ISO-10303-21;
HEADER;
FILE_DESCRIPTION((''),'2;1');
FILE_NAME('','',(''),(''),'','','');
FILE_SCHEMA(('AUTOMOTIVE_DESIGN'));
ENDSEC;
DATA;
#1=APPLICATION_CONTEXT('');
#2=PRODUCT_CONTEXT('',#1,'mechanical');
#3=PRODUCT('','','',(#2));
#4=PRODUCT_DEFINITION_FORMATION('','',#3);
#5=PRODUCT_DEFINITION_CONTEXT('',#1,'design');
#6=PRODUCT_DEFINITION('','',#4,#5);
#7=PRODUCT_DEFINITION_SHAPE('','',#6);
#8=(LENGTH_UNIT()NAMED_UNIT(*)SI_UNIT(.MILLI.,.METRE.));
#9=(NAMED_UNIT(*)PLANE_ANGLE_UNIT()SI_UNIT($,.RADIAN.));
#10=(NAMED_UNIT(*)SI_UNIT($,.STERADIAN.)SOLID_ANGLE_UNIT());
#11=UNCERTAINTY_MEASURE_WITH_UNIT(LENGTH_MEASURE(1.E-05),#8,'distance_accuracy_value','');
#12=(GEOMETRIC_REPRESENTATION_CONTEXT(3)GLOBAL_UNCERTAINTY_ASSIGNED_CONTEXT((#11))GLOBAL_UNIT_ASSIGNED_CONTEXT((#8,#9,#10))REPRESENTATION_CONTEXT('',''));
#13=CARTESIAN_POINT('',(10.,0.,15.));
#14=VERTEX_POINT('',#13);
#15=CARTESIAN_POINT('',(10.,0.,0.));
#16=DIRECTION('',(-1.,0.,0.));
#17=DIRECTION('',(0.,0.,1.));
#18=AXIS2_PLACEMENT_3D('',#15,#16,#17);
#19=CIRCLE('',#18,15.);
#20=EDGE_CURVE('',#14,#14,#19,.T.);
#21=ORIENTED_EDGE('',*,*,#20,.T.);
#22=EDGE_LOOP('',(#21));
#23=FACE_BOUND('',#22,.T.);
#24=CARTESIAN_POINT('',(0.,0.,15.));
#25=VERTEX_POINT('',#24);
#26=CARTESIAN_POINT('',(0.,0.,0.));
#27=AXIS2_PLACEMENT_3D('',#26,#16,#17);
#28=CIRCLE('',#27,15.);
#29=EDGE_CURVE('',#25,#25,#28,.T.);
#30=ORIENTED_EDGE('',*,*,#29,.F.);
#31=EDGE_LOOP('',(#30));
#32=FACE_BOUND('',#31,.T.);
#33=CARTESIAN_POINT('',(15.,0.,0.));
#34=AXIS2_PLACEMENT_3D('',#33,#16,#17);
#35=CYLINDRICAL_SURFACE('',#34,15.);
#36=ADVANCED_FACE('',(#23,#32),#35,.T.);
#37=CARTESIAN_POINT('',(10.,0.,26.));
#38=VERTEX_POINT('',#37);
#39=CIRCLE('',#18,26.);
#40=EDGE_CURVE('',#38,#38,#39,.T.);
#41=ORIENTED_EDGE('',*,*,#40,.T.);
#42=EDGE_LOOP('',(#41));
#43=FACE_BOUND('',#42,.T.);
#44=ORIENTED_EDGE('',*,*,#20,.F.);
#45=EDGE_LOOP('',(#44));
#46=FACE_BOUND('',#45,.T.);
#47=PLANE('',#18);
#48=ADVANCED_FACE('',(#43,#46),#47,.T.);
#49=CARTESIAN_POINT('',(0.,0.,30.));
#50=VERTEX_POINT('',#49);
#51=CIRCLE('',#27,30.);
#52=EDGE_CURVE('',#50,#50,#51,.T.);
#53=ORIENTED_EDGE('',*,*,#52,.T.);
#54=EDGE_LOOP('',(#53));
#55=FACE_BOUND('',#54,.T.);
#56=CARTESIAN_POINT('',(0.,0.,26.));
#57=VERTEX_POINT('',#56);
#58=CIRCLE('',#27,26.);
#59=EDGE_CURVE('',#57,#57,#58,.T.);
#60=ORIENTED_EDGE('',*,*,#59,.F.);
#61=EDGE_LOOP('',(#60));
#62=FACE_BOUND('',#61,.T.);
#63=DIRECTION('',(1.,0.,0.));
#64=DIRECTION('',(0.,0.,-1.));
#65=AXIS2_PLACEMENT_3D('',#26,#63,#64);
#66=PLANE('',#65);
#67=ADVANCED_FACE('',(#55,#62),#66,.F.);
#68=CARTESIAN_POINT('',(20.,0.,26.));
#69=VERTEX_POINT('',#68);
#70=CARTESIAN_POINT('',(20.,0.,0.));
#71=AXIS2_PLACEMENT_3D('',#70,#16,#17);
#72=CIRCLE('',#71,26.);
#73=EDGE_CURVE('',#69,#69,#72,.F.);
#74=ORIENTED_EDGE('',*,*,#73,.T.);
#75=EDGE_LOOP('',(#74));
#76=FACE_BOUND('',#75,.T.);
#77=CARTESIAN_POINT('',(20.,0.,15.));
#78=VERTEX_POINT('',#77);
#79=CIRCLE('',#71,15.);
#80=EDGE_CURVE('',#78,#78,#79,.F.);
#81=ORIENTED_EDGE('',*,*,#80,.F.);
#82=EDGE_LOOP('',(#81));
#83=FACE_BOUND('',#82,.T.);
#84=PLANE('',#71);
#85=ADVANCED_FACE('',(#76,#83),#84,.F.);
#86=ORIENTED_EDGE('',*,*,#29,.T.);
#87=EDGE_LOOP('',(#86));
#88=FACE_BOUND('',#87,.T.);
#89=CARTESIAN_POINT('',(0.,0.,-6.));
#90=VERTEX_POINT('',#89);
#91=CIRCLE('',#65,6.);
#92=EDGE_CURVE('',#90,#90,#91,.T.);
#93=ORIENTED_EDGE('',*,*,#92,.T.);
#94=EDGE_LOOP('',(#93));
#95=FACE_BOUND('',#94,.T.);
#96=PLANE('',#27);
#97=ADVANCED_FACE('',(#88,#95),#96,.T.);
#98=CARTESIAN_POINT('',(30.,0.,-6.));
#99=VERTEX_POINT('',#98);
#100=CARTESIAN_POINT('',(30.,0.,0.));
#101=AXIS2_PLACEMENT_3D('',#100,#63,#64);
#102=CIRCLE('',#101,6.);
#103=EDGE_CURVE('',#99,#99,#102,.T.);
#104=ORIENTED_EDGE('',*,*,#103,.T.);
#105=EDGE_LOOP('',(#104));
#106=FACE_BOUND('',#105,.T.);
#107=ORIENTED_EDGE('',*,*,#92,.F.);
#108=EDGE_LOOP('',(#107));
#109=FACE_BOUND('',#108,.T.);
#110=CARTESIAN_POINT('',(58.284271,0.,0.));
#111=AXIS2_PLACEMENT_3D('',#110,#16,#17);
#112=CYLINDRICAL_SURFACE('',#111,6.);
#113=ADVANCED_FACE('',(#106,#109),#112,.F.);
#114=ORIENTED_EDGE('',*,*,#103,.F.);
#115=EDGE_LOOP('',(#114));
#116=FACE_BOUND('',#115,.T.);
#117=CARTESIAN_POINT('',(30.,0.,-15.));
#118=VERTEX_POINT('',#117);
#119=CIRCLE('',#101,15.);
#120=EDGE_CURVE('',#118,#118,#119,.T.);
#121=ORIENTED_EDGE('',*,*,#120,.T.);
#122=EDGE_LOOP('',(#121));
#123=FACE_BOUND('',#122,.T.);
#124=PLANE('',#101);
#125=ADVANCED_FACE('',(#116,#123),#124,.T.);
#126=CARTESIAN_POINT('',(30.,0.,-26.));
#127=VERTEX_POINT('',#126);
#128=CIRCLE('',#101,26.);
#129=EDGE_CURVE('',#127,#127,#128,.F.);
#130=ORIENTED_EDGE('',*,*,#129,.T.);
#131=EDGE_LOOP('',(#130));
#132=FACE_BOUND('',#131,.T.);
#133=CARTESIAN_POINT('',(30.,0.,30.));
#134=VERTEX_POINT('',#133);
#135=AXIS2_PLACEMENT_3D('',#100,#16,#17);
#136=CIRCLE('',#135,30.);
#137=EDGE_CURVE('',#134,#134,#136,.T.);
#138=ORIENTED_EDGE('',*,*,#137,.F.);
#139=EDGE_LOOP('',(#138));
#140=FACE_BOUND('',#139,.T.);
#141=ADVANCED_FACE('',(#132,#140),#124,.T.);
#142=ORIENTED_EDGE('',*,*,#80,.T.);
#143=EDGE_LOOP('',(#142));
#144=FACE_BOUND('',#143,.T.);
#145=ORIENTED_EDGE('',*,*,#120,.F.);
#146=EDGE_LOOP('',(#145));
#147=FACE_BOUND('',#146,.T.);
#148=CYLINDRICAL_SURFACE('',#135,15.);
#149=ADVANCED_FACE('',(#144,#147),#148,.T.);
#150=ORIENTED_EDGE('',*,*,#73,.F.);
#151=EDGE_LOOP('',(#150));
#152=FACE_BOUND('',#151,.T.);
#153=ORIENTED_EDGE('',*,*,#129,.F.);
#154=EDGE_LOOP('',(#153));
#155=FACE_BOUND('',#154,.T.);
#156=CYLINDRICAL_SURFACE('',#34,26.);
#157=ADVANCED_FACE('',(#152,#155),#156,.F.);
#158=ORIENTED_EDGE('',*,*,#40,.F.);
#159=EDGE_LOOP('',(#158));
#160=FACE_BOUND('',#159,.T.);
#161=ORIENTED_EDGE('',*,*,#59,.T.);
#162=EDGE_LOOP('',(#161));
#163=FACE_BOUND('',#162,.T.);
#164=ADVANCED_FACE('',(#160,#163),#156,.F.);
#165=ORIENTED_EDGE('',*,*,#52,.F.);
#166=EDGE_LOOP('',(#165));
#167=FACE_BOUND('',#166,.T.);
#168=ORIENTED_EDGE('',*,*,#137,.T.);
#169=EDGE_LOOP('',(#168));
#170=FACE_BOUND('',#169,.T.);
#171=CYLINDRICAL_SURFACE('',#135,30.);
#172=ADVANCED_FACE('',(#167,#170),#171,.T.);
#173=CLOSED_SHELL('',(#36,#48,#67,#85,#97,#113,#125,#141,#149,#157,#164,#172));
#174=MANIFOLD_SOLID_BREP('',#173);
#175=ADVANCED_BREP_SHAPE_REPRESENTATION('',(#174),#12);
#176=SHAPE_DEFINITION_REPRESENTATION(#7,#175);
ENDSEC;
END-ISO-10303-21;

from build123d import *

# Parameters (mm, degrees)
IZIM1_R                          = 15
Y_KSEKLIK_EKSTR_ZYON1_DEPTH      = 30
IZIM2_R                          = 10
KES_EKSTR_ZYON2_DEPTH            = 30
IZIM13_R                         = 30
Y_KSEKLIK_EKSTR_ZYON3_DEPTH      = 30
IZIM14_R                         = 26
KES_EKSTR_ZYON3_DEPTH            = 15
IZIM15_R                         = 15
Y_KSEKLIK_EKSTR_ZYON4_DEPTH      = 15
Y_KSEKLIK_EKSTR_ZYON4_DEPTH_BACK = 15
IZIM16_R                         = 10
KES_EKSTR_ZYON5_DEPTH            = 45
IZIM17_R                         = 26
KES_EKSTR_ZYON8_DEPTH            = 1
KES_EKSTR_ZYON8_DEPTH_BACK       = 15
IZIM19_R                         = 26
Y_KSEKLIK_EKSTR_ZYON5_DEPTH      = 5
Y_KSEKLIK_EKSTR_ZYON5_DEPTH_BACK = 5
IZIM20_R                         = 15
Y_KSEKLIK_EKSTR_ZYON6_DEPTH      = 10
IZIM21_R                         = 10
KES_EKSTR_ZYON9_DEPTH            = 55
IZIM24_R                         = 15
KES_EKSTR_ZYON10_DEPTH           = 15
IZIM26_R                         = 10
IZIM26_R_2                       = 6
Y_KSEKLIK_EKSTR_ZYON7_DEPTH      = 30


with BuildPart() as part:
    # Çizim1 → Yükseklik-Ekstrüzyon1 (new body)
    with BuildSketch(Plane(origin=(0, 0, 0), x_dir=(0, 0, -1), z_dir=(1, 0, 0))):
        Circle(IZIM1_R)
    extrude(amount=Y_KSEKLIK_EKSTR_ZYON1_DEPTH)

    # Çizim2 → Kes-Ekstrüzyon2 (cut)
    with BuildSketch(Plane.ZY):
        Circle(IZIM2_R)
    extrude(amount=-KES_EKSTR_ZYON2_DEPTH, mode=Mode.SUBTRACT)

    # Çizim13 → Yükseklik-Ekstrüzyon3 (add)
    with BuildSketch(Plane.ZY):
        Circle(IZIM13_R)
    extrude(amount=-Y_KSEKLIK_EKSTR_ZYON3_DEPTH)

    # Çizim14 → Kes-Ekstrüzyon3 (cut)
    with BuildSketch(Plane.ZY):
        Circle(IZIM14_R)
    extrude(amount=-KES_EKSTR_ZYON3_DEPTH, mode=Mode.SUBTRACT)

    # Çizim15 → Yükseklik-Ekstrüzyon4 (add, two sides)
    with BuildSketch(Plane.ZY) as y_kseklik_ekstr_zyon4_sk:
        Circle(IZIM15_R)
    extrude(amount=Y_KSEKLIK_EKSTR_ZYON4_DEPTH)
    extrude(y_kseklik_ekstr_zyon4_sk.sketch, amount=-Y_KSEKLIK_EKSTR_ZYON4_DEPTH_BACK)

    # Çizim16 → Kes-Ekstrüzyon5 (cut)
    with BuildSketch(Plane.ZY.offset(15)):
        Circle(IZIM16_R)
    extrude(amount=-KES_EKSTR_ZYON5_DEPTH, mode=Mode.SUBTRACT)

    # Çizim17 → Kes-Ekstrüzyon8 (cut, two sides)
    with BuildSketch(Plane(origin=(30, 0, 0), x_dir=(0, 0, -1), z_dir=(1, 0, 0))) as kes_ekstr_zyon8_sk:
        Circle(IZIM17_R)
    extrude(amount=KES_EKSTR_ZYON8_DEPTH, mode=Mode.SUBTRACT)
    extrude(kes_ekstr_zyon8_sk.sketch, amount=-KES_EKSTR_ZYON8_DEPTH_BACK, mode=Mode.SUBTRACT)

    # Çizim19 → Yükseklik-Ekstrüzyon5 (add, two sides)
    with BuildSketch(Plane.ZY.offset(-15)) as y_kseklik_ekstr_zyon5_sk:
        Circle(IZIM19_R)
    extrude(amount=Y_KSEKLIK_EKSTR_ZYON5_DEPTH)
    extrude(y_kseklik_ekstr_zyon5_sk.sketch, amount=-Y_KSEKLIK_EKSTR_ZYON5_DEPTH_BACK)

    # Çizim20 → Yükseklik-Ekstrüzyon6 (add)
    with BuildSketch(Plane(origin=(20, 0, 0), x_dir=(0, 0, -1), z_dir=(1, 0, 0))):
        Circle(IZIM20_R)
    extrude(amount=Y_KSEKLIK_EKSTR_ZYON6_DEPTH)

    # Çizim21 → Kes-Ekstrüzyon9 (cut)
    with BuildSketch(Plane.ZY.offset(15)):
        Circle(IZIM21_R)
    extrude(amount=-KES_EKSTR_ZYON9_DEPTH, mode=Mode.SUBTRACT)

    # Çizim24 → Kes-Ekstrüzyon10 (cut)
    with BuildSketch(Plane.ZY.offset(15)):
        Circle(IZIM24_R)
    extrude(amount=-KES_EKSTR_ZYON10_DEPTH, mode=Mode.SUBTRACT)

    # Çizim26 → Yükseklik-Ekstrüzyon7 (add)
    with BuildSketch(Plane(origin=(0, 0, 0), x_dir=(0, 0, -1), z_dir=(1, 0, 0))):
        Circle(IZIM26_R)
        Circle(IZIM26_R_2, mode=Mode.SUBTRACT)
    extrude(amount=Y_KSEKLIK_EKSTR_ZYON7_DEPTH)


solid = part.part
